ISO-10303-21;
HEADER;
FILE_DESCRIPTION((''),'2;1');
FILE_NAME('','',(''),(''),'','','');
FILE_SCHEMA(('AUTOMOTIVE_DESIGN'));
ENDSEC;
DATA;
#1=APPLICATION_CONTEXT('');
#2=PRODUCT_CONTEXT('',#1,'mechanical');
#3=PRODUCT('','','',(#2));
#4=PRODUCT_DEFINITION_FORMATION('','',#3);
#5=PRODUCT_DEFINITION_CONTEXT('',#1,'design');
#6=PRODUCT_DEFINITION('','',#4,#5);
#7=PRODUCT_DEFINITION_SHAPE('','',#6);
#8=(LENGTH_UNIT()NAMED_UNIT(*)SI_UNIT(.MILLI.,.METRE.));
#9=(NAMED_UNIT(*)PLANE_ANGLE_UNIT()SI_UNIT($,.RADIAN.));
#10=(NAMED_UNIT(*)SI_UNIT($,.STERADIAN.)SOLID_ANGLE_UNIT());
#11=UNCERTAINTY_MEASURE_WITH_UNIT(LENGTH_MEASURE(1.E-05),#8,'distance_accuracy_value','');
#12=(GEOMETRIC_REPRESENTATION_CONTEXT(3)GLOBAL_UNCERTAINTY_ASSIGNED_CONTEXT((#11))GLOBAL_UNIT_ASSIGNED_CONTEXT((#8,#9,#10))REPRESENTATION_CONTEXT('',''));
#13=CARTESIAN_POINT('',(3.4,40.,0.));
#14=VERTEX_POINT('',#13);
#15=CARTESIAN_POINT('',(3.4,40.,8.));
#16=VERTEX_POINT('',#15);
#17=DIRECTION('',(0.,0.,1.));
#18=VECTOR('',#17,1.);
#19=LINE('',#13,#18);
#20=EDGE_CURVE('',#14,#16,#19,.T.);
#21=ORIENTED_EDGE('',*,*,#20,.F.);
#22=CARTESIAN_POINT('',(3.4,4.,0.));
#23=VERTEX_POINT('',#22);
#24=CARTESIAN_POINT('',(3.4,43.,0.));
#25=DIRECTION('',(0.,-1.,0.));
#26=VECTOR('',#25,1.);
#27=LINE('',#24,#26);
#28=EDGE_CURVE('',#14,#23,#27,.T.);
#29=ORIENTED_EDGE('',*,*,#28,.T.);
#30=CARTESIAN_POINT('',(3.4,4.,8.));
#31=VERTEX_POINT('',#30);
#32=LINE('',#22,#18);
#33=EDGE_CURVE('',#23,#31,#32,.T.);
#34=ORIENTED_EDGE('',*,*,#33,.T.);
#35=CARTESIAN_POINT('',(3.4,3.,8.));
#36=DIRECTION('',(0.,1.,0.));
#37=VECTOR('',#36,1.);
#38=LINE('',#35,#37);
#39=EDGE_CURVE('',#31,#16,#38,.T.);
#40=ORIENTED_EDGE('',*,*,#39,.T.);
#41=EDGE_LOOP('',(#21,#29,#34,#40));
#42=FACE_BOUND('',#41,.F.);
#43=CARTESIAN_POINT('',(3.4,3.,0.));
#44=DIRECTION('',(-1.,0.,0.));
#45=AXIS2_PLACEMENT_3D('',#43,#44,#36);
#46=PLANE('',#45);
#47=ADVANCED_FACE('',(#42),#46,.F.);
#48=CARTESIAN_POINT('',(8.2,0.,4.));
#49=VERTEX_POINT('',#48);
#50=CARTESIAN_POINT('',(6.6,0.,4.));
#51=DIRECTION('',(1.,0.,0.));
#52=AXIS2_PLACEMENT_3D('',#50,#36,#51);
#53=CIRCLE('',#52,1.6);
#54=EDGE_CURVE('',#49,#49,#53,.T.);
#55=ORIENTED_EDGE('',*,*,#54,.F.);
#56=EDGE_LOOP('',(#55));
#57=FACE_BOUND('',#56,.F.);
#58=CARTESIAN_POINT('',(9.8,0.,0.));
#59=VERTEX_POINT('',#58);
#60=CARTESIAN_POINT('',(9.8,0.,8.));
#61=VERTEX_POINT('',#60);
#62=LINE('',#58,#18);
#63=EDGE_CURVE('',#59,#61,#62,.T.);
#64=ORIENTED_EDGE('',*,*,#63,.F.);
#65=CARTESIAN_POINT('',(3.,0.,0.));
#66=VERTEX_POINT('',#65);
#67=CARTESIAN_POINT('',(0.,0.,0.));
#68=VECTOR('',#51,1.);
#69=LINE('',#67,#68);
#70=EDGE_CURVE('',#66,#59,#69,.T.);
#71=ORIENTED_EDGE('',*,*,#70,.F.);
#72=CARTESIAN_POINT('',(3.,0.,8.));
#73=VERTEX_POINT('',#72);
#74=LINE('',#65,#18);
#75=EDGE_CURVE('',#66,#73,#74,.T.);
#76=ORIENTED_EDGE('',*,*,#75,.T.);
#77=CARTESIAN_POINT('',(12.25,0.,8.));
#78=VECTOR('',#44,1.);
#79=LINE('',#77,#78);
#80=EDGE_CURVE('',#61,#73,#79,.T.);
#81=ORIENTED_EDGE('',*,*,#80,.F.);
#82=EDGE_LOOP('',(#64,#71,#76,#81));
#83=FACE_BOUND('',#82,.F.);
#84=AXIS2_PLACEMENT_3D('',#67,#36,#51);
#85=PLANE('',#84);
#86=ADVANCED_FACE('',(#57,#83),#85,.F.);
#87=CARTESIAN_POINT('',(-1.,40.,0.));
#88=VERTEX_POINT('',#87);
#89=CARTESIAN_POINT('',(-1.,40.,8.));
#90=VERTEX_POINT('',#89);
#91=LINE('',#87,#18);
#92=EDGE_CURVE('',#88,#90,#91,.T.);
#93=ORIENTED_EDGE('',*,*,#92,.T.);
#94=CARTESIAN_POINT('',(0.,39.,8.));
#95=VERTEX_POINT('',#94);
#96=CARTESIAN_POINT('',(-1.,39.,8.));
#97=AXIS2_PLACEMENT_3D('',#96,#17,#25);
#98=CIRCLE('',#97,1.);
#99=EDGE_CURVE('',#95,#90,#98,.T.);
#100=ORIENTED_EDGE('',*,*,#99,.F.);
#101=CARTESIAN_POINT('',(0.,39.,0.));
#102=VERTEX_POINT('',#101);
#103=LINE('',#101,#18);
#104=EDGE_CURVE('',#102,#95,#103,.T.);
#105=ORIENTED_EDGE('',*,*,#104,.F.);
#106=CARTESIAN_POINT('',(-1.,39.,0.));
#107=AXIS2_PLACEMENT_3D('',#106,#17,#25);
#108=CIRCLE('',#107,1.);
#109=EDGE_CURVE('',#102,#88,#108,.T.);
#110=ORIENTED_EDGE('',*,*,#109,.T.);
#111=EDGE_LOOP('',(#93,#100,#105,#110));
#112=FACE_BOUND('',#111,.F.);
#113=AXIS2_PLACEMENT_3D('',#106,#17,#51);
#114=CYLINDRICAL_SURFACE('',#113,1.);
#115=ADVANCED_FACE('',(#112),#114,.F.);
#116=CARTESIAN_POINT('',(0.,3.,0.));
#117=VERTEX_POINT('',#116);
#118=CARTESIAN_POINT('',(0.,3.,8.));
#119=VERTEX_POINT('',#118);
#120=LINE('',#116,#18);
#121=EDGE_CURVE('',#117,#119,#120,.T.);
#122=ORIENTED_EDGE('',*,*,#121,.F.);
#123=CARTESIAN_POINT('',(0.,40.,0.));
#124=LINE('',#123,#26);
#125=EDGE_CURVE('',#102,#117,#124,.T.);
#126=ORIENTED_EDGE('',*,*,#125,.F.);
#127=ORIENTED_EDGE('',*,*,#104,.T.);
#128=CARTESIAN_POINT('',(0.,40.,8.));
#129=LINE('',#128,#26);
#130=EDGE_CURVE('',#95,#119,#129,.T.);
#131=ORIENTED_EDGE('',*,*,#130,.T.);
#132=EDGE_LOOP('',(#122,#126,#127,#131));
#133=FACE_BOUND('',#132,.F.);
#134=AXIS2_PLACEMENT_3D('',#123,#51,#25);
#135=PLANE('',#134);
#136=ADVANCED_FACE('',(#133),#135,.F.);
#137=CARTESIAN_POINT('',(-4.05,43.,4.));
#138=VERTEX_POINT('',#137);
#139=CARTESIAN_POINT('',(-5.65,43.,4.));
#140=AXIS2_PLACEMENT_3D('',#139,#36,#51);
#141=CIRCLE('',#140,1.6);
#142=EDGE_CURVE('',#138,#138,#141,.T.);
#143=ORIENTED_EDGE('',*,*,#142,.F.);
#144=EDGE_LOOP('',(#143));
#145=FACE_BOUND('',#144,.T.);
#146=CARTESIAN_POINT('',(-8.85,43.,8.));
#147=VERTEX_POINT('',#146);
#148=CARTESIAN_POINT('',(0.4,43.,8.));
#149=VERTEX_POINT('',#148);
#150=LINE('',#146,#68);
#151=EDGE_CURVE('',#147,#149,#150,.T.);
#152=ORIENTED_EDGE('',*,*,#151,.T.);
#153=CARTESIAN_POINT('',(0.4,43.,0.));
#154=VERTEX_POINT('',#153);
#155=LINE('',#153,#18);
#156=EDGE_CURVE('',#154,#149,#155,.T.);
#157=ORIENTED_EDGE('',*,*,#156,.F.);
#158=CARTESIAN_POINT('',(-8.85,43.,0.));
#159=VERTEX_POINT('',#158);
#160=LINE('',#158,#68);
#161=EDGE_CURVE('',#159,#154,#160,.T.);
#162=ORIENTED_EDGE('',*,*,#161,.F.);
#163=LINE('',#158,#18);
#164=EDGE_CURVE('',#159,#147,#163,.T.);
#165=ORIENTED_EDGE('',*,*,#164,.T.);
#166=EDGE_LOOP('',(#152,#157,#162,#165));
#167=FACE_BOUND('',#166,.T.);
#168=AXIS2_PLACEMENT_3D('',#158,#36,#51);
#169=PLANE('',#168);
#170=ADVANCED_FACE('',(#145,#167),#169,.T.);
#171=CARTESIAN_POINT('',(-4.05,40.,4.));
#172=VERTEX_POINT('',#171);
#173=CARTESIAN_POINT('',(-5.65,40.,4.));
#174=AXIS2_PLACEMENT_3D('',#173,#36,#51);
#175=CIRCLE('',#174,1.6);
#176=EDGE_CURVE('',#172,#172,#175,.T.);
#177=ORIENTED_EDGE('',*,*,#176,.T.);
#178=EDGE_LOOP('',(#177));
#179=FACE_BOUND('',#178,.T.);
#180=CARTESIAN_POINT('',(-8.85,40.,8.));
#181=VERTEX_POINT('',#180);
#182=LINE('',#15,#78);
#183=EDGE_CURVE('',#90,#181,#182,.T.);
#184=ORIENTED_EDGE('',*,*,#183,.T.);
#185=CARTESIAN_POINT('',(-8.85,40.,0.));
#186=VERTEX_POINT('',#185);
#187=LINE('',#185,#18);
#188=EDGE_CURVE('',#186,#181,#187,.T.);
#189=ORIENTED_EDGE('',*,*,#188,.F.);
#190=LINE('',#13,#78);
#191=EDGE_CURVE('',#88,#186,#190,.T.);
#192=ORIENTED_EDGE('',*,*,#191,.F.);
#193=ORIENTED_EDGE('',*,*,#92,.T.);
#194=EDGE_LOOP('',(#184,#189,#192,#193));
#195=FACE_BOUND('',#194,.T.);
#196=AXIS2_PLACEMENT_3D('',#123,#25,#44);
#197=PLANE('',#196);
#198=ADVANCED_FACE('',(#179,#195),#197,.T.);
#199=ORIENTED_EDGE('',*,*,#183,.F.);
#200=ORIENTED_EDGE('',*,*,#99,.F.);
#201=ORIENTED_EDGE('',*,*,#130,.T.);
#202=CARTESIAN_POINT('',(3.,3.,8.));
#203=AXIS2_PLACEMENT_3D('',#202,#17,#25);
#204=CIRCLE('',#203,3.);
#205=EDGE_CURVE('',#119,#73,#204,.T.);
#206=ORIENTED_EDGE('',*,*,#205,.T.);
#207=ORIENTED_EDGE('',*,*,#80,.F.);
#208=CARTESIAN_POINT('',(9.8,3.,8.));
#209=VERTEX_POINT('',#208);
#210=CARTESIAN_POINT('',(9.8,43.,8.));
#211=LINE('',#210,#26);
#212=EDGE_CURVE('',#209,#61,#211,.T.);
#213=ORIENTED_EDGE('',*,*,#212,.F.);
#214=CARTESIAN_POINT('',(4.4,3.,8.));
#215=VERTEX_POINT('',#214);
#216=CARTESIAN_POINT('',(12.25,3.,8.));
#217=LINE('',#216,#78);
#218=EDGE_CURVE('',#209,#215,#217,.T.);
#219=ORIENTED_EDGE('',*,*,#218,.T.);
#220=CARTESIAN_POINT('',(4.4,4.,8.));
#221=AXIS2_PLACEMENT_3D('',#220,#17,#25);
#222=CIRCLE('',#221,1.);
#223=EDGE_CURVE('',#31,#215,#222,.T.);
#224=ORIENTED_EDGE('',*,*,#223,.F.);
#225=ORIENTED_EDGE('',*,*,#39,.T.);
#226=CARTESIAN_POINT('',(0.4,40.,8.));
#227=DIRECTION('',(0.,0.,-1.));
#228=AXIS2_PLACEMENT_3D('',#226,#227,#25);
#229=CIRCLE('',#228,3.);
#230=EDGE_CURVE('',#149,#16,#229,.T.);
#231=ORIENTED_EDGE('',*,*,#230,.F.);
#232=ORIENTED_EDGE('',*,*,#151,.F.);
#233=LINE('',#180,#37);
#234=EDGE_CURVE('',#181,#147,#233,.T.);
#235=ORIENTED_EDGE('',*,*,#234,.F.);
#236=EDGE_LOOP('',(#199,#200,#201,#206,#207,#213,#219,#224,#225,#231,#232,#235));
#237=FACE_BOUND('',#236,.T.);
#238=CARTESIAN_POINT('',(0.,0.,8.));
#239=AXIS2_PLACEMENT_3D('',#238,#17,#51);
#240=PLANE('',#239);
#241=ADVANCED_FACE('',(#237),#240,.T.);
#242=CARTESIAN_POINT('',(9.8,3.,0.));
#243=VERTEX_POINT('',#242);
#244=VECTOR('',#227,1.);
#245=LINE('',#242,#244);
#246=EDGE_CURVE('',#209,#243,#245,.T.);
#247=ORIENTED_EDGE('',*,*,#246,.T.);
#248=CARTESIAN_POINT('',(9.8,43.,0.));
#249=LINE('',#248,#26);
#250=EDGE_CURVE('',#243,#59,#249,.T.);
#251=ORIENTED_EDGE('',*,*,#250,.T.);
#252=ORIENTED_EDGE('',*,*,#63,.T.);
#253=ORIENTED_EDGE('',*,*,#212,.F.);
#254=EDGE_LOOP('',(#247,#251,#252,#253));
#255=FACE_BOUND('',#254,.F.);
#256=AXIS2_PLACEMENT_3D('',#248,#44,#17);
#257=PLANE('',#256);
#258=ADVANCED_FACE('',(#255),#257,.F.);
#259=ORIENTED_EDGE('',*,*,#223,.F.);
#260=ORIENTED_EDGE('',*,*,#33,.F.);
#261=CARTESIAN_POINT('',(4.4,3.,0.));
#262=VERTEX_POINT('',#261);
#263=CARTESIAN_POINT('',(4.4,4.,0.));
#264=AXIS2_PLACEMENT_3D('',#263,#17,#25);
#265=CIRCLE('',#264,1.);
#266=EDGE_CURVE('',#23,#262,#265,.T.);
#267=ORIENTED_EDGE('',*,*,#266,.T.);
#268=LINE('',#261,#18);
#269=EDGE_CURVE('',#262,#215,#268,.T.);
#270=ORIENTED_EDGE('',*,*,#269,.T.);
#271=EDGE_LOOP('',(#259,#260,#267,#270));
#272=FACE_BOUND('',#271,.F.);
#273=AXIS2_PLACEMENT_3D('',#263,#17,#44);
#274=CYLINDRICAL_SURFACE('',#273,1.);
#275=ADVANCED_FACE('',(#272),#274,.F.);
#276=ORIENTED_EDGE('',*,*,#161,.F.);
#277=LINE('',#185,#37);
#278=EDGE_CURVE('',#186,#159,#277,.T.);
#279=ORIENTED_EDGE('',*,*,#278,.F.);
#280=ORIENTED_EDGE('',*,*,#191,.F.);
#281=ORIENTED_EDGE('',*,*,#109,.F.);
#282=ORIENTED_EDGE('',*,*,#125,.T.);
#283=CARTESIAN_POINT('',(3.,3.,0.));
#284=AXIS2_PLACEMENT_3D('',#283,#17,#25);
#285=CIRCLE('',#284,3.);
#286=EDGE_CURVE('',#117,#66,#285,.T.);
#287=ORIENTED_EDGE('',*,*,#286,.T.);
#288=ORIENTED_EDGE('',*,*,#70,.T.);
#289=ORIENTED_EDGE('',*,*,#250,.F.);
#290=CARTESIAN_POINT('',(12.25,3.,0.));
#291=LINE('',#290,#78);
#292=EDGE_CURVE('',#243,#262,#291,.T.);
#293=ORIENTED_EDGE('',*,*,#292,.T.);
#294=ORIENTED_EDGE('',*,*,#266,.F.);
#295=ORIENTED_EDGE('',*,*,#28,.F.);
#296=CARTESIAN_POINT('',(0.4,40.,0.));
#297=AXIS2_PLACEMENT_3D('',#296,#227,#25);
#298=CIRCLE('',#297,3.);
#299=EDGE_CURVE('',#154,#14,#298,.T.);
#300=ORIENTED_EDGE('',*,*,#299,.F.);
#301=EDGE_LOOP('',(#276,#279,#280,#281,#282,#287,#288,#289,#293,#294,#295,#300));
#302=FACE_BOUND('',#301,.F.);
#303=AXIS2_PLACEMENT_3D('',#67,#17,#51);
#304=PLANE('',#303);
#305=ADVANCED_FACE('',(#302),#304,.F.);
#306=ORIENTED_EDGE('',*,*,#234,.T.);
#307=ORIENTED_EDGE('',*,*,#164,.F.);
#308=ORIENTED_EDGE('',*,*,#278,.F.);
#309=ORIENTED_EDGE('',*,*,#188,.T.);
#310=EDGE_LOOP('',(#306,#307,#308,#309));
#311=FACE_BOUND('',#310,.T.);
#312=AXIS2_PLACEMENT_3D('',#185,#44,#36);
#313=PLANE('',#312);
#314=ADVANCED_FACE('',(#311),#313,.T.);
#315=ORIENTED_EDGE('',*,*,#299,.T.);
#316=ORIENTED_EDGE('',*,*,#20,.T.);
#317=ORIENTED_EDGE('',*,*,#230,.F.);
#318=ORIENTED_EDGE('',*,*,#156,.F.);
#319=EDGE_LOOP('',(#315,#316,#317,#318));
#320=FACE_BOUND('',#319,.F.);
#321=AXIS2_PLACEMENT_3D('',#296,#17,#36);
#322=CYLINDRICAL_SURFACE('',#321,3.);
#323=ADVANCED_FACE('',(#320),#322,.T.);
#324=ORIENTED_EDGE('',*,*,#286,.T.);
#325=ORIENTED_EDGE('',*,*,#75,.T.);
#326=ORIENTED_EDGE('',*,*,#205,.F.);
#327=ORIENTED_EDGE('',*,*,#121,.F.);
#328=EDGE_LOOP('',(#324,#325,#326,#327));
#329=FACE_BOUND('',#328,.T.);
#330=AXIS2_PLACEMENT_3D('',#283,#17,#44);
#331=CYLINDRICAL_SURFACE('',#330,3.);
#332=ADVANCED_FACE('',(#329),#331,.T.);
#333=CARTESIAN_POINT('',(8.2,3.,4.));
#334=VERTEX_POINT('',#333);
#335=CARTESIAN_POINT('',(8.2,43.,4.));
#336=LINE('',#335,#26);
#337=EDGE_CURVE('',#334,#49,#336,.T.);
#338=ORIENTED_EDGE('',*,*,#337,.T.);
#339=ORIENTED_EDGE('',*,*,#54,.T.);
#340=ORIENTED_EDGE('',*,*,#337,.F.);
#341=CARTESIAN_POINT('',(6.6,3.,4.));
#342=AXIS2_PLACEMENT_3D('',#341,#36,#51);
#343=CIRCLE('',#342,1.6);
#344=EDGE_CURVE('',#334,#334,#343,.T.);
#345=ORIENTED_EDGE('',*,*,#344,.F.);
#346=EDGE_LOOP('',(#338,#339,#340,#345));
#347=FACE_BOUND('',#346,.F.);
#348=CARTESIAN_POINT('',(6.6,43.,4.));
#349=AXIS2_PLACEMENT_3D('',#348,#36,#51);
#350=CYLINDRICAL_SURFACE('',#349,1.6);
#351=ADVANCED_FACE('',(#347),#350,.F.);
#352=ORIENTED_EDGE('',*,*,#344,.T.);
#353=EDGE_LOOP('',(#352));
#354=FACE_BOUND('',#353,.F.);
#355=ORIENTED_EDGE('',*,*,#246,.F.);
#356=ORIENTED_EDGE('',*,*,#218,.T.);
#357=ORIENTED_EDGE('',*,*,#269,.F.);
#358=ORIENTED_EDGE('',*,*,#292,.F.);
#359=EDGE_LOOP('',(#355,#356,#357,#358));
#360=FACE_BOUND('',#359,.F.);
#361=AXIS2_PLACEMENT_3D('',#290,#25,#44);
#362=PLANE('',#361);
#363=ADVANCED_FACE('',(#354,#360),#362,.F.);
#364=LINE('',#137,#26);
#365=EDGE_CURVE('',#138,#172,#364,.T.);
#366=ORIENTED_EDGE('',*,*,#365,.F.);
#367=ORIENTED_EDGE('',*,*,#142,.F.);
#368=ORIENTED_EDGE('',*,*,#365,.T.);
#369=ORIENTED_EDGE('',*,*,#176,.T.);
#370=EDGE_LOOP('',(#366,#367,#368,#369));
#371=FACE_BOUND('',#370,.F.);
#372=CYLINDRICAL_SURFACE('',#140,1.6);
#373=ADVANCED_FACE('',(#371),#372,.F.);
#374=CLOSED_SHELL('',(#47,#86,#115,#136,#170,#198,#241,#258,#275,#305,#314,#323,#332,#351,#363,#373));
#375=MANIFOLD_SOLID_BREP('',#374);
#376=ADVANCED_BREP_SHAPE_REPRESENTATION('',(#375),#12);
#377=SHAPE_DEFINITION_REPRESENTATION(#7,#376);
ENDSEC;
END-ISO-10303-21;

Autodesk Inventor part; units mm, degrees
ref_plane "YZ Plane" through (0, 0, 0) normal (1, 0, 0) x (0, 1, 0)
ref_plane "XZ Plane" through (0, 0, 0) normal (0, 1, 0) x (-1, 0, 0)
ref_plane "XY Plane" through (0, 0, 0) normal (0, 0, 1) x (1, 0, 0)
sketch "Sketch1" plane through (0, 0, 0) normal (0, 0, 1) x (1, 0, 0)
  line L0 (0, 0) -> (3.4, 0)
  line L1 (3.4, 0) -> (3.4, 40)
  line L2 (3.4, 40) -> (0, 40)
  line L3 (0, 40) -> (0, 0)
  line L4 (3.4, 40) -> (-8.85, 40)
  line L5 (-8.85, 40) -> (-8.85, 43)
  line L6 (-8.85, 43) -> (3.4, 43)
  line L7 (3.4, 43) -> (3.4, 40)
  line L8 (3.4, 0) -> (12.25, 0)
  line L9 (12.25, 0) -> (12.25, 3)
  line L10 (12.25, 3) -> (3.4, 3)
  line L11 (3.4, 3) -> (3.4, 0)
  line L12 (-5.65, 43) -> (-5.65, 40) construction
  line L13 (-7.25, 43) -> (-7.25, 40) construction
  line L14 (-4.05, 40) -> (-4.05, 43) construction
  dimension "d0" = 40
  dimension "d1" = 3.4
  dimension "d3" = 5.65
  dimension "d4" = 3.2
  dimension "d5" = 1.6
  dimension "d6" = 1.6
  dimension "d7" = 3
  dimension "d8" = 3
  dimension "d9" = 12.25
  dimension "d10" = 12.25
extrude "Extrusion1" add sketch "Sketch1" along normal blind 8
sketch "Sketch2" plane through (-8.85, 43, 0) normal (0, 1, 0) x (1, 0, 0)
  line L0 (12.25, 0) -> (0, 0) projected
  line L1 (0, 0) -> (0, -8) projected
  line L2 (12.25, -8) -> (0, -8) projected
  line L3 (12.25, 0) -> (12.25, -8) projected
  line L4 (21.1, 0) -> (12.25, 0) projected
  line L5 (12.25, 0) -> (12.25, -8) projected
  line L6 (21.1, -8) -> (12.25, -8) projected
  line L7 (21.1, 0) -> (21.1, -8) projected
  circle A0 centre (3.2, -4) radius 1.6
  circle A1 centre (15.45, -4) radius 1.6
  line L8 (21.1, 0) -> (18.65, 0)
  line L9 (18.65, 0) -> (18.65, -8)
  line L10 (18.65, -8) -> (21.1, -8)
  line L11 (21.1, -8) -> (21.1, 0)
  point P0 (8.85, 0)
  dimension "d13" = 3.2
  dimension "d14" = 3.2
  dimension "d15" = 3.2
  dimension "d21" = 3.2
  dimension "d22" = 3.2
extrude "Extrusion2" cut sketch "Sketch2" against normal blind 51.5 contours L4 L7 L6 L9 | A0 | A1
fillet "Fillet1" radius 3 2 edges at (3.4, 43, 4) (0, 0, 4)
fillet "Fillet2" radius 1 2 edges at (3.4, 3, 4) (0, 40, 4)
equation "\"d5\" = 0.5 * d4"
equation "\"d6\" = d5"
equation "\"d10\" = d9"
properties part number "MotorBracket"
